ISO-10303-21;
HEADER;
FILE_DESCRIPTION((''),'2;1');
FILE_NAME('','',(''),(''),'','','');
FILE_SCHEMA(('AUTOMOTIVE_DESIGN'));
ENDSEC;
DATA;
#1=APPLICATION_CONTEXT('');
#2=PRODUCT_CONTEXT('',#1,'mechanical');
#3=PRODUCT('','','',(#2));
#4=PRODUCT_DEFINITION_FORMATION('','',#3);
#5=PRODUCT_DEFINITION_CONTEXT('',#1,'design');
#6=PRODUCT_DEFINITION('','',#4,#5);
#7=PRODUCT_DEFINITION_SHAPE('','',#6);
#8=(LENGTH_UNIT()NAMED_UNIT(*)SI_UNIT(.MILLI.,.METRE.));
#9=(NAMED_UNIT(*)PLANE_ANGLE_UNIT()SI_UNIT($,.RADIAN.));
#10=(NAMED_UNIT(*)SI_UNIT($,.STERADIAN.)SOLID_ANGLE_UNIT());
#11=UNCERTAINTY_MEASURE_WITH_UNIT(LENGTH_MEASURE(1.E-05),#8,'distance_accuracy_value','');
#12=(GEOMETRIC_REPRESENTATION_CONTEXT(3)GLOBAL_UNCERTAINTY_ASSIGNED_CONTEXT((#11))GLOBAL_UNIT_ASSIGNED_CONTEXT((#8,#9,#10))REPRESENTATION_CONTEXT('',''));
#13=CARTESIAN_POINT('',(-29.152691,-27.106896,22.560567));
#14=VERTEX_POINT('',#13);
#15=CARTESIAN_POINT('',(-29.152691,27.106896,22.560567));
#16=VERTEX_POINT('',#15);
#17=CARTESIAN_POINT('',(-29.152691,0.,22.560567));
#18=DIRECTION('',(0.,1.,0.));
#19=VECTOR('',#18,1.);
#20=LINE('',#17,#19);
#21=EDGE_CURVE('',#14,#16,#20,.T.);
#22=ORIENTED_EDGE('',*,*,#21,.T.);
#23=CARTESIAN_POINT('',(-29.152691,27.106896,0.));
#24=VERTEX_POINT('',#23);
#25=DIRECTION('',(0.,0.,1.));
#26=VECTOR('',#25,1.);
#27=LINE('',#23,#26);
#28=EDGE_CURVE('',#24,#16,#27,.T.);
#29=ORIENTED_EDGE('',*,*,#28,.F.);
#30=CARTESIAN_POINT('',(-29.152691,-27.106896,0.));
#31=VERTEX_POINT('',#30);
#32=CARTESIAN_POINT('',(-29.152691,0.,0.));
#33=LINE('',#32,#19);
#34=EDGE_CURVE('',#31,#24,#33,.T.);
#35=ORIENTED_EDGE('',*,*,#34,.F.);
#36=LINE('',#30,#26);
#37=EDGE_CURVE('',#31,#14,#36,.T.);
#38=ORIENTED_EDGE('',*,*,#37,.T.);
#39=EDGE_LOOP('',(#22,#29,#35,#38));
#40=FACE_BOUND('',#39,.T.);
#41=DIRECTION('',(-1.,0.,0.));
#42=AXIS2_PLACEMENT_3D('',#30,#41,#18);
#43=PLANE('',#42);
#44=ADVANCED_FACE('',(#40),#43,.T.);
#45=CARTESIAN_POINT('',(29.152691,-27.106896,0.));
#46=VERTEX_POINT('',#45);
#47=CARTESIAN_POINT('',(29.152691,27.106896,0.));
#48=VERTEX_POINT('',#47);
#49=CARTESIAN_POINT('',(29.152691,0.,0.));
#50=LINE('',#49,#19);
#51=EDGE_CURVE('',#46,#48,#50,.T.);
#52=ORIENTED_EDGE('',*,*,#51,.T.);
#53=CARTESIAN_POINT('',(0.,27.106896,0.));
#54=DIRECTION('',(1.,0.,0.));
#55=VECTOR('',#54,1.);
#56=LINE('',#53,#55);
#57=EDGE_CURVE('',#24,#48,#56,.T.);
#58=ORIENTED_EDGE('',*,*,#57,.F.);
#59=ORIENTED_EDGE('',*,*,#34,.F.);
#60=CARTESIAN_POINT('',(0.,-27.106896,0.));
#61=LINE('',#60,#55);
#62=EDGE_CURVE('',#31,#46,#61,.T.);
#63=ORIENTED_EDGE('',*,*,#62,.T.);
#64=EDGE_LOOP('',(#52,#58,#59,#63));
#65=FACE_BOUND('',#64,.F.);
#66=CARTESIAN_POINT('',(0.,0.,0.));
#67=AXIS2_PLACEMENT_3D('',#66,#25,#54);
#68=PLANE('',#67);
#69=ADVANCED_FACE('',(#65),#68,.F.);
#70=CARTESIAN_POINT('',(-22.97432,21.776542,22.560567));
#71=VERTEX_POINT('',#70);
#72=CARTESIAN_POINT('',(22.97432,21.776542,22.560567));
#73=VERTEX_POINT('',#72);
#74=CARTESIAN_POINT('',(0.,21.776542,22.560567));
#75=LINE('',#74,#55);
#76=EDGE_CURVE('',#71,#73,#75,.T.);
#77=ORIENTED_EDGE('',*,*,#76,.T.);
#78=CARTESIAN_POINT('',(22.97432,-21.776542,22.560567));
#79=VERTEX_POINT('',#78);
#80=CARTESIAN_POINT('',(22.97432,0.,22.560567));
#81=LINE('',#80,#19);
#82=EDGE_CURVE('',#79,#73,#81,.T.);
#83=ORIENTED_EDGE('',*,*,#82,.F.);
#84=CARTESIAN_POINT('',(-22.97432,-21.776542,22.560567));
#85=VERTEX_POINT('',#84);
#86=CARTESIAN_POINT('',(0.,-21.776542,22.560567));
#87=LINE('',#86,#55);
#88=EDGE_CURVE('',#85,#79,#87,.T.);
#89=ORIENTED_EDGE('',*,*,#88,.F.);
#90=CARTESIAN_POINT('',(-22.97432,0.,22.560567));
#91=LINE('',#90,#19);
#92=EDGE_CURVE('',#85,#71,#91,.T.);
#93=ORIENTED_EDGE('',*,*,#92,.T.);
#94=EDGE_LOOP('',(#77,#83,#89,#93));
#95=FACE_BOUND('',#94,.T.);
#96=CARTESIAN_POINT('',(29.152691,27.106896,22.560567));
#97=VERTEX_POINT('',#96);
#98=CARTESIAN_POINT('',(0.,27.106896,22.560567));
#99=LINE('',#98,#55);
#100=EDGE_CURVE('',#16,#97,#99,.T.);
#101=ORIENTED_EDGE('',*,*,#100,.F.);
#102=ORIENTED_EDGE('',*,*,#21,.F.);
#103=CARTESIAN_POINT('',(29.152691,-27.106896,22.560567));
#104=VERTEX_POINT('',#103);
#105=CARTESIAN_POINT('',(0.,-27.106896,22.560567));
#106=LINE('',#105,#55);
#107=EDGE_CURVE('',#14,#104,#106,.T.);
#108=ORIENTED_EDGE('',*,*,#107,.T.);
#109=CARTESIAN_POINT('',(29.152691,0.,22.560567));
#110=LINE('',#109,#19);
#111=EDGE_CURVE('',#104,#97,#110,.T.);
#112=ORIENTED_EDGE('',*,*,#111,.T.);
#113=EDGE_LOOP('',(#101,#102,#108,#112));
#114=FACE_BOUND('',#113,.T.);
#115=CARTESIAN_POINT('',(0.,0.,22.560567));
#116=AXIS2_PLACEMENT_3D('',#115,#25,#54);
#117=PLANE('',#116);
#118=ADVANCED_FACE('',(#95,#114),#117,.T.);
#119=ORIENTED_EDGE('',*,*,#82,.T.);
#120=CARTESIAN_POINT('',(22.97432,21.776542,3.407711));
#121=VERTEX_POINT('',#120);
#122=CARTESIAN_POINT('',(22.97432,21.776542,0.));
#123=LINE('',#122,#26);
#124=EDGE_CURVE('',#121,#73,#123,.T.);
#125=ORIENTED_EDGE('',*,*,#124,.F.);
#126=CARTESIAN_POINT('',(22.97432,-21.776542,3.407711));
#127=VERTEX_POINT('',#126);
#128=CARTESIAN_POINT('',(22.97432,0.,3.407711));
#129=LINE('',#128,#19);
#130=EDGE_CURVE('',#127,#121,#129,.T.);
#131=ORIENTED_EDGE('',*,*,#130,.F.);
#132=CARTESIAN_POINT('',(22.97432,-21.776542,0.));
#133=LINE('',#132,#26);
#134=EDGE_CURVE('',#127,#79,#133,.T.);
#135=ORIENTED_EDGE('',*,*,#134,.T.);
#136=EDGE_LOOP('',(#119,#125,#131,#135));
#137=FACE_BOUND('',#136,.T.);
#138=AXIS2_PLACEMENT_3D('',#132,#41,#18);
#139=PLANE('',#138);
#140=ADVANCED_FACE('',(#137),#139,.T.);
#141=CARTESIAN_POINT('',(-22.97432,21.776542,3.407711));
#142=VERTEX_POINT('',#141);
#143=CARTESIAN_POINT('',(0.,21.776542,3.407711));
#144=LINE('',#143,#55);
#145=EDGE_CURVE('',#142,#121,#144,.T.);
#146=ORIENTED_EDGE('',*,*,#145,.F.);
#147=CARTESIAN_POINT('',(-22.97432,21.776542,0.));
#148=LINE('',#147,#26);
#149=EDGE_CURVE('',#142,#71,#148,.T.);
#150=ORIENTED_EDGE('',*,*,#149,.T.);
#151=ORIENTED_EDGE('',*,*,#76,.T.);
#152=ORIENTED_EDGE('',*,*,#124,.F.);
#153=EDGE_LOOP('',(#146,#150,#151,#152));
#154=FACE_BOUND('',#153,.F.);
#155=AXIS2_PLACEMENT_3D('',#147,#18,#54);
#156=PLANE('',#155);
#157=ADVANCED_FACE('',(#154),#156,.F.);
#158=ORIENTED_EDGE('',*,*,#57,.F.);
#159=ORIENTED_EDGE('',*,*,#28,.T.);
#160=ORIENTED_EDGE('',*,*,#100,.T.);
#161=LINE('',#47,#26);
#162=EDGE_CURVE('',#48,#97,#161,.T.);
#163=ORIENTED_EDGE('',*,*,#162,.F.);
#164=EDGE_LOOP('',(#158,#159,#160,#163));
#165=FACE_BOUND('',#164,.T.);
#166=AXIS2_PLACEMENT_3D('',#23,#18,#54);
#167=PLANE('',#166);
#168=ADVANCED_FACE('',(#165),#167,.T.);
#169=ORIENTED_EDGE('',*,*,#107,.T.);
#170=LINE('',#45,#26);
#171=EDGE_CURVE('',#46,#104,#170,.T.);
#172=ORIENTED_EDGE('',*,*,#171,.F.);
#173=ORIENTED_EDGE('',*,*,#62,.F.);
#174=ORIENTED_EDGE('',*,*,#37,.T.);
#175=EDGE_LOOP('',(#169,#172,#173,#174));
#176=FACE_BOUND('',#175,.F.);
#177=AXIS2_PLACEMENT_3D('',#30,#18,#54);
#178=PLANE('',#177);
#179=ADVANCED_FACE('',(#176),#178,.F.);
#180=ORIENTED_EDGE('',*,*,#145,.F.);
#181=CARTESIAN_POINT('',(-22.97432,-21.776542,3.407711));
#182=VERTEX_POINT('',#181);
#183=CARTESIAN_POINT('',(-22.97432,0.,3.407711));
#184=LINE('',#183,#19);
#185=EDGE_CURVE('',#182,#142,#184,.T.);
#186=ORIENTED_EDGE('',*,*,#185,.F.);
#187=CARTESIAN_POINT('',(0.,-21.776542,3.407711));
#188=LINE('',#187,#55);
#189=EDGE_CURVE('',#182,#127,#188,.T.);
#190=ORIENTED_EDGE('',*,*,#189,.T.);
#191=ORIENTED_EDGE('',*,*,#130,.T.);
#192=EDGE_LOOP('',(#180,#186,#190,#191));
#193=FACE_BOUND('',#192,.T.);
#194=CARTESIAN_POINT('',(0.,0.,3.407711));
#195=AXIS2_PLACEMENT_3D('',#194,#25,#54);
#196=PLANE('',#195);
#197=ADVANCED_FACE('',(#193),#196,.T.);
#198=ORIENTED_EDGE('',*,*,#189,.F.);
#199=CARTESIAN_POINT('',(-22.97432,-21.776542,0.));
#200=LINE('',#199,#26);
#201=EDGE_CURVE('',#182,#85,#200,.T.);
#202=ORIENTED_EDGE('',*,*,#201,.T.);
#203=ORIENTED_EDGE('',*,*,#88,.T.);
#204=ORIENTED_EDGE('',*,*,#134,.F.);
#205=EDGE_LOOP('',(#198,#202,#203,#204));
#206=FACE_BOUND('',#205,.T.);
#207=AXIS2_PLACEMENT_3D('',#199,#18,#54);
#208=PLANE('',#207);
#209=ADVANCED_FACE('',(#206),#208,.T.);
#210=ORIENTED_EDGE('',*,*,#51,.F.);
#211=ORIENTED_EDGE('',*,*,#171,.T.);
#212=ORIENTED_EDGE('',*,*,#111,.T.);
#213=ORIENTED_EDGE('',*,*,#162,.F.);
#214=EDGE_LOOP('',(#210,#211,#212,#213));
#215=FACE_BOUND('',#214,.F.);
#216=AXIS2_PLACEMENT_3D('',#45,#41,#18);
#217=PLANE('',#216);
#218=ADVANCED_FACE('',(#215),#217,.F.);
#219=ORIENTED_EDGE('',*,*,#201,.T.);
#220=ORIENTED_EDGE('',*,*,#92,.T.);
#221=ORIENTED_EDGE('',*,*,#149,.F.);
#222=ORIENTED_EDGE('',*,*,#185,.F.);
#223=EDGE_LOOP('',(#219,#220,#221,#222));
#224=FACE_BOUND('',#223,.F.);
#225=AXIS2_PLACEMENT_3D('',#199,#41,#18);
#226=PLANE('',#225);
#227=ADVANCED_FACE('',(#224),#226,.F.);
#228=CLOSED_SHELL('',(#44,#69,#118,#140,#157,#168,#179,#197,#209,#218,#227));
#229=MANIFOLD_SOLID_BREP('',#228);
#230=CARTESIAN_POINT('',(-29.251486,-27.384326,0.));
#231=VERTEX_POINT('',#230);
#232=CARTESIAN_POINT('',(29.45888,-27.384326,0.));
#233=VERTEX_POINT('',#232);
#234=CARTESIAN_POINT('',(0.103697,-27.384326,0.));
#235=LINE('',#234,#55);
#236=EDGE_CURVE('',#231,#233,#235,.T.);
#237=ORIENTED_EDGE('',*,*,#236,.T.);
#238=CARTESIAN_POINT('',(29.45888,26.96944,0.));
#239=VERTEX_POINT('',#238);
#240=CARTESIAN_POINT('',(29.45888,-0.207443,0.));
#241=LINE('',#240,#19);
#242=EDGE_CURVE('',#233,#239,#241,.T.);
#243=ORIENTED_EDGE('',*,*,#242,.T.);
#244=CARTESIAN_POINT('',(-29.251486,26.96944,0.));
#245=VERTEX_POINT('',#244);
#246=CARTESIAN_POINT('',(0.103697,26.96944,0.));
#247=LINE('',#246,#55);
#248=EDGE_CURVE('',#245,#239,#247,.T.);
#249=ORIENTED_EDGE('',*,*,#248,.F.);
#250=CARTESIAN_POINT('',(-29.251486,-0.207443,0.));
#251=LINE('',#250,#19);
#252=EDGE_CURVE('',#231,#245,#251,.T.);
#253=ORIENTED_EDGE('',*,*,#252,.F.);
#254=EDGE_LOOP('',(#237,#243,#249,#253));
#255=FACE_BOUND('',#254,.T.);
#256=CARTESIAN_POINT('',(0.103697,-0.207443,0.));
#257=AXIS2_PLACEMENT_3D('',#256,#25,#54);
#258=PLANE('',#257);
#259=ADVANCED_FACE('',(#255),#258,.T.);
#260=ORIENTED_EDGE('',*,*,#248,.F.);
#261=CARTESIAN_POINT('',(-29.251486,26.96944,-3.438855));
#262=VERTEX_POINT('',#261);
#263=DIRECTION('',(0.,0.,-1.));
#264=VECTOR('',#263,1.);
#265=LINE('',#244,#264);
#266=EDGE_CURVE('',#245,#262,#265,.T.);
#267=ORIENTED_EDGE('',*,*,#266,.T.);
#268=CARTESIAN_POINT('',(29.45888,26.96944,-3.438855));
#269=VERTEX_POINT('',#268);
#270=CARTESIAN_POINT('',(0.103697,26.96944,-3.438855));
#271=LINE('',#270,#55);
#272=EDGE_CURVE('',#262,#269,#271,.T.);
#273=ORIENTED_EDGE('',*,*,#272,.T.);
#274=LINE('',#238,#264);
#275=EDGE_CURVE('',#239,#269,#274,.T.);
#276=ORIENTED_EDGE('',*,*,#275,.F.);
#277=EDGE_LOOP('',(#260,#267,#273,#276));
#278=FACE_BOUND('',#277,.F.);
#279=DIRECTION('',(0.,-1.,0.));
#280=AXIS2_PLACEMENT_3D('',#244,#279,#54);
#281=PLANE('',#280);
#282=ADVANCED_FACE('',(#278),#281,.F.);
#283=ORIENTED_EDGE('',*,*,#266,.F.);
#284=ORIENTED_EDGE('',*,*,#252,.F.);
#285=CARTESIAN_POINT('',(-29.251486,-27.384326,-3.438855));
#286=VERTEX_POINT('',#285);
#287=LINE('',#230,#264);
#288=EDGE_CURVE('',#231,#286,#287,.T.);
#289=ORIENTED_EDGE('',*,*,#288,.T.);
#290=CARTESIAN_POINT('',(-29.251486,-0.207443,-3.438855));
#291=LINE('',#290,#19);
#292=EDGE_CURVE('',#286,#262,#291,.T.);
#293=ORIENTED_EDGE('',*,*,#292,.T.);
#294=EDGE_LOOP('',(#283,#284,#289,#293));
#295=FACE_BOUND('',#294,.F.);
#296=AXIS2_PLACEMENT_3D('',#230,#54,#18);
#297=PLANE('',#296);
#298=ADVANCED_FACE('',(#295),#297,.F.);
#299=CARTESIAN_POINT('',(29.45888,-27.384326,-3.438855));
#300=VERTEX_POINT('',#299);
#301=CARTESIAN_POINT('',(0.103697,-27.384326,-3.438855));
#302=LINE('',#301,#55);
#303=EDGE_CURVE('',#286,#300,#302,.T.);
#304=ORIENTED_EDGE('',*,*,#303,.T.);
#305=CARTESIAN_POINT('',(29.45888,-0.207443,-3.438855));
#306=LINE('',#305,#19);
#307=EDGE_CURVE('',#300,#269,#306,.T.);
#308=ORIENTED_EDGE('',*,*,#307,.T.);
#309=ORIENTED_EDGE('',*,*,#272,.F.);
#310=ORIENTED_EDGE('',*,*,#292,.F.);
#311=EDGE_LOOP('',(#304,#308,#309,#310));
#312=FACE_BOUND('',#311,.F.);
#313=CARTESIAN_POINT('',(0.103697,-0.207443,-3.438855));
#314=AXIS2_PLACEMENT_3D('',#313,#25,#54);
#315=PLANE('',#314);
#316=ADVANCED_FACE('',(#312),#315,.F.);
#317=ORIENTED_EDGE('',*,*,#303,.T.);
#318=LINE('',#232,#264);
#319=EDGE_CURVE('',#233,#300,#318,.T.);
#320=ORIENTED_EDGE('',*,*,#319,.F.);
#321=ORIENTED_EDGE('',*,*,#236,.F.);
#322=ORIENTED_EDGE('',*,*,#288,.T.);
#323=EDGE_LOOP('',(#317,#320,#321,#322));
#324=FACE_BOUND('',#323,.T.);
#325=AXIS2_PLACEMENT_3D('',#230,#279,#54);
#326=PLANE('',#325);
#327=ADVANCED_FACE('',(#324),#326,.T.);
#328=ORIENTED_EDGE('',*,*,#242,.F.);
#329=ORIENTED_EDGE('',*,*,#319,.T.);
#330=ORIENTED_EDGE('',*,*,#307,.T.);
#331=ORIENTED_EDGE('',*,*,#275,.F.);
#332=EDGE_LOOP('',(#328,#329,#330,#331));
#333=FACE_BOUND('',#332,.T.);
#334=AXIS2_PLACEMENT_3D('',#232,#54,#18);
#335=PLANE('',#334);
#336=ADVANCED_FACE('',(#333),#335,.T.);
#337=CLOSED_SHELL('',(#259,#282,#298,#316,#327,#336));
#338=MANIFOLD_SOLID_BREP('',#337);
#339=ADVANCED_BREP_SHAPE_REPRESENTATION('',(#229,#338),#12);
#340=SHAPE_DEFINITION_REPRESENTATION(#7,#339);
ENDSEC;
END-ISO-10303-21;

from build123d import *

# Parameters (mm, degrees)
F0_W     = 58.305382
F0_H     = 54.213792
F0_W_2   = 45.94864
F0_H_2   = 43.553084
F1_DEPTH = 22.560567
F2_DEPTH = 3.407711
F3_W     = 58.710366
F3_H     = 54.353766
F4_DEPTH = 3.438855


with BuildPart() as f1:
    # F0 (on Top) → F1 (new body)
    with BuildSketch(Plane.XY):
        Rectangle(F0_W, F0_H)
        Rectangle(F0_W_2, F0_H_2, mode=Mode.SUBTRACT)
    extrude(amount=F1_DEPTH)

    # F0 (on Top) → F2 (join)
    with BuildSketch(Plane.XY):
        Rectangle(F0_W_2, F0_H_2)
    extrude(amount=F2_DEPTH)


with BuildPart() as f4:
    # F3 (on Top) → F4 (new body)
    with BuildSketch(Plane.XY):
        with Locations((0.103697, -0.207443)):
            Rectangle(F3_W, F3_H)
    extrude(amount=-F4_DEPTH)


solid = Compound([f1.part, f4.part])
